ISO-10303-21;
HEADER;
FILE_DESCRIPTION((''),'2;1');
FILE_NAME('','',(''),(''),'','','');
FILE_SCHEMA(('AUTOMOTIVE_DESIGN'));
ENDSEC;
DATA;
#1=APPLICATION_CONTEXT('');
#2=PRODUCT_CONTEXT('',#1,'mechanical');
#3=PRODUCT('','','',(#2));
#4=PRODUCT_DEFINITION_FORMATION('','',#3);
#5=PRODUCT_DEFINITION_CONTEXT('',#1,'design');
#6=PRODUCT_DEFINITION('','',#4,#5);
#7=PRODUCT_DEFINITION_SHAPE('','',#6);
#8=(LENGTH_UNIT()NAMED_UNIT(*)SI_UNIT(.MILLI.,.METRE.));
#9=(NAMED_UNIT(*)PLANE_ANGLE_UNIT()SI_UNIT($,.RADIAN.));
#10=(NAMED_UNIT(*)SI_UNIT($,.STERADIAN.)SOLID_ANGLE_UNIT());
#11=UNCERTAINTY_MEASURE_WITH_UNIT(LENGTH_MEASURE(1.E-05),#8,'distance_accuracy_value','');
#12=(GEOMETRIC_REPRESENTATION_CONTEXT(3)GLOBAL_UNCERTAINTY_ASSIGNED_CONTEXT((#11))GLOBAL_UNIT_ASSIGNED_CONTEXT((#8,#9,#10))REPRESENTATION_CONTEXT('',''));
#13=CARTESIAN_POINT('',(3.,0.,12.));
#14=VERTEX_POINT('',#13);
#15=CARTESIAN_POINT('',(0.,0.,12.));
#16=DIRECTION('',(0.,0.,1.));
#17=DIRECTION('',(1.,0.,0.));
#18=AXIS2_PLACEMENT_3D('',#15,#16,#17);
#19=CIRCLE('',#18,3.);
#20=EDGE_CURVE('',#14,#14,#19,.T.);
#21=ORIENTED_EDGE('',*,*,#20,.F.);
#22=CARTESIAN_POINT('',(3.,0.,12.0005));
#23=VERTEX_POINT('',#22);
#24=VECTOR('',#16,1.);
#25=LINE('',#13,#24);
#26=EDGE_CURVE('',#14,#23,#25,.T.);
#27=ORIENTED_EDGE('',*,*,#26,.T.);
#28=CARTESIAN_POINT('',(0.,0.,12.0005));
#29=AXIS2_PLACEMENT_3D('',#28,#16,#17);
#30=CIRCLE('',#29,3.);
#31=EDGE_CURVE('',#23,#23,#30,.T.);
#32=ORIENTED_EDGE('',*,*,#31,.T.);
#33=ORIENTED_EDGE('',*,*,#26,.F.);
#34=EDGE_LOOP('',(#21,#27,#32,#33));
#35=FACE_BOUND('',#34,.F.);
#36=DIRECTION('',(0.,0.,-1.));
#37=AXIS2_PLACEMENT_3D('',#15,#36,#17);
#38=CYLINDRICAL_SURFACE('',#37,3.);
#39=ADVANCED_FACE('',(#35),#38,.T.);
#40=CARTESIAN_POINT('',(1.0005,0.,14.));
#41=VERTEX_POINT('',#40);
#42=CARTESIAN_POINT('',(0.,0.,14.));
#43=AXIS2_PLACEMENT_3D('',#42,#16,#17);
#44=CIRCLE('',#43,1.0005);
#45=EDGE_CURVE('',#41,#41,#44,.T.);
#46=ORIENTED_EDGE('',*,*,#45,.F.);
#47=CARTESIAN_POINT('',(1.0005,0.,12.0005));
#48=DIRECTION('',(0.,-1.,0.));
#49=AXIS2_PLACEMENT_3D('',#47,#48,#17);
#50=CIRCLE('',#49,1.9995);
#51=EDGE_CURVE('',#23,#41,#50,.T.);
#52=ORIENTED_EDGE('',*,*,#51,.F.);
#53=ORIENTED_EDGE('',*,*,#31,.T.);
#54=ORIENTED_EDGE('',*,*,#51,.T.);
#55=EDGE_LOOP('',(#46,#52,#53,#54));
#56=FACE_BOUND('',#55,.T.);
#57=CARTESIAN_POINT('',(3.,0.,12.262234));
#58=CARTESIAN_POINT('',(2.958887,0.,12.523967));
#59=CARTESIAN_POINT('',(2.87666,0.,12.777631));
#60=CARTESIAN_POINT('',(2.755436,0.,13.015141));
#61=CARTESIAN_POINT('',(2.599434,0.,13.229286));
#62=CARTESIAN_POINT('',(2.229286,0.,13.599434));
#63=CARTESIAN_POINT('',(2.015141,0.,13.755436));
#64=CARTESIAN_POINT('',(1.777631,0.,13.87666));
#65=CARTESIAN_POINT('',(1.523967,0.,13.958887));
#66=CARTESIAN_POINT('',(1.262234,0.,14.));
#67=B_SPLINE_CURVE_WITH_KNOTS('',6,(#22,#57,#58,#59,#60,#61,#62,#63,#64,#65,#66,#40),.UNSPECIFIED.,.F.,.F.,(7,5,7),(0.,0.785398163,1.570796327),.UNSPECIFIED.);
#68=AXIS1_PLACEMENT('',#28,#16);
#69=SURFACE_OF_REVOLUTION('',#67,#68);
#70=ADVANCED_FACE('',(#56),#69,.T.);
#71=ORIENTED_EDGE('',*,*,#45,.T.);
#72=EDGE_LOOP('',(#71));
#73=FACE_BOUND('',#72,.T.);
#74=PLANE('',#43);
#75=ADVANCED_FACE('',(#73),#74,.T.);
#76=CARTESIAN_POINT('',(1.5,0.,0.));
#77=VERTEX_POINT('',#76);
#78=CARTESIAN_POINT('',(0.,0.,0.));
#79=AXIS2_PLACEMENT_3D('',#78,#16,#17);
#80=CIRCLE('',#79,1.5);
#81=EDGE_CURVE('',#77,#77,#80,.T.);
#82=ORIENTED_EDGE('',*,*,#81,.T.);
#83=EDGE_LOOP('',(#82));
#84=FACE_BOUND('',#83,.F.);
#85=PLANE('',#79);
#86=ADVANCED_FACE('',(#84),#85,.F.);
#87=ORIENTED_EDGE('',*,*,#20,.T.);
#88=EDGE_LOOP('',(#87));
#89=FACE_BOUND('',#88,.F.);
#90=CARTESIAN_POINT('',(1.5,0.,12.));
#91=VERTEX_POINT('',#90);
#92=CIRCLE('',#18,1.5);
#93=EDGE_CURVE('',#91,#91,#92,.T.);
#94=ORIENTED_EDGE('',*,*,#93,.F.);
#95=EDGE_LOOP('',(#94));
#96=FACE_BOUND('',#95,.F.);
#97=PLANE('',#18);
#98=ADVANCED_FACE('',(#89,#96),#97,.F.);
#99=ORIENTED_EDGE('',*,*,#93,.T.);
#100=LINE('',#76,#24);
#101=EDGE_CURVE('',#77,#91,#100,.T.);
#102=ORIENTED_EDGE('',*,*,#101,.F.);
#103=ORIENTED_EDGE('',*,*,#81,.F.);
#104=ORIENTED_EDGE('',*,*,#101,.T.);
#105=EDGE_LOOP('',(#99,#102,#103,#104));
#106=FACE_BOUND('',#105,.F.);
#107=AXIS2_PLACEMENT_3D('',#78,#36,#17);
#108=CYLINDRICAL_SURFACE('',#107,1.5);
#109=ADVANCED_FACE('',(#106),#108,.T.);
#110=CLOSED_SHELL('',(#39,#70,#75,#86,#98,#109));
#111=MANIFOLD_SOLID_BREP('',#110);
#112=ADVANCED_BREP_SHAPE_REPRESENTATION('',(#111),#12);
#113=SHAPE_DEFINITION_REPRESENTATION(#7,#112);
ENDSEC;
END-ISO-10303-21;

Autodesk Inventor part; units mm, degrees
ref_plane "YZ Plane" through (0, 0, 0) normal (1, 0, 0) x (0, 1, 0)
ref_plane "XZ Plane" through (0, 0, 0) normal (0, 1, 0) x (-1, 0, 0)
ref_plane "XY Plane" through (0, 0, 0) normal (0, 0, 1) x (1, 0, 0)
sketch "スケッチ1" plane through (0, 0, 0) normal (0, 0, 1) x (1, 0, 0)
  circle A0 centre (0, 0) radius 1.5
  dimension "d0" = 3
extrude "押し出し1" add sketch "スケッチ1" along normal blind 12
sketch "スケッチ2" plane through (0, 0, 12) normal (0, 0, 1) x (1, 0, 0)
  circle A0 centre (0, 0) radius 1.5 projected
  circle A1 centre (0, 0) radius 3
  dimension "d3" = 6
extrude "押し出し2" add sketch "スケッチ2" along normal blind 2 contours A0 | A1
fillet "フィレット1" radius 2 1 edges at (-3, 0, 14)
properties part number "M3ボタンボルト12" material "鋼、高強度、低合金"
